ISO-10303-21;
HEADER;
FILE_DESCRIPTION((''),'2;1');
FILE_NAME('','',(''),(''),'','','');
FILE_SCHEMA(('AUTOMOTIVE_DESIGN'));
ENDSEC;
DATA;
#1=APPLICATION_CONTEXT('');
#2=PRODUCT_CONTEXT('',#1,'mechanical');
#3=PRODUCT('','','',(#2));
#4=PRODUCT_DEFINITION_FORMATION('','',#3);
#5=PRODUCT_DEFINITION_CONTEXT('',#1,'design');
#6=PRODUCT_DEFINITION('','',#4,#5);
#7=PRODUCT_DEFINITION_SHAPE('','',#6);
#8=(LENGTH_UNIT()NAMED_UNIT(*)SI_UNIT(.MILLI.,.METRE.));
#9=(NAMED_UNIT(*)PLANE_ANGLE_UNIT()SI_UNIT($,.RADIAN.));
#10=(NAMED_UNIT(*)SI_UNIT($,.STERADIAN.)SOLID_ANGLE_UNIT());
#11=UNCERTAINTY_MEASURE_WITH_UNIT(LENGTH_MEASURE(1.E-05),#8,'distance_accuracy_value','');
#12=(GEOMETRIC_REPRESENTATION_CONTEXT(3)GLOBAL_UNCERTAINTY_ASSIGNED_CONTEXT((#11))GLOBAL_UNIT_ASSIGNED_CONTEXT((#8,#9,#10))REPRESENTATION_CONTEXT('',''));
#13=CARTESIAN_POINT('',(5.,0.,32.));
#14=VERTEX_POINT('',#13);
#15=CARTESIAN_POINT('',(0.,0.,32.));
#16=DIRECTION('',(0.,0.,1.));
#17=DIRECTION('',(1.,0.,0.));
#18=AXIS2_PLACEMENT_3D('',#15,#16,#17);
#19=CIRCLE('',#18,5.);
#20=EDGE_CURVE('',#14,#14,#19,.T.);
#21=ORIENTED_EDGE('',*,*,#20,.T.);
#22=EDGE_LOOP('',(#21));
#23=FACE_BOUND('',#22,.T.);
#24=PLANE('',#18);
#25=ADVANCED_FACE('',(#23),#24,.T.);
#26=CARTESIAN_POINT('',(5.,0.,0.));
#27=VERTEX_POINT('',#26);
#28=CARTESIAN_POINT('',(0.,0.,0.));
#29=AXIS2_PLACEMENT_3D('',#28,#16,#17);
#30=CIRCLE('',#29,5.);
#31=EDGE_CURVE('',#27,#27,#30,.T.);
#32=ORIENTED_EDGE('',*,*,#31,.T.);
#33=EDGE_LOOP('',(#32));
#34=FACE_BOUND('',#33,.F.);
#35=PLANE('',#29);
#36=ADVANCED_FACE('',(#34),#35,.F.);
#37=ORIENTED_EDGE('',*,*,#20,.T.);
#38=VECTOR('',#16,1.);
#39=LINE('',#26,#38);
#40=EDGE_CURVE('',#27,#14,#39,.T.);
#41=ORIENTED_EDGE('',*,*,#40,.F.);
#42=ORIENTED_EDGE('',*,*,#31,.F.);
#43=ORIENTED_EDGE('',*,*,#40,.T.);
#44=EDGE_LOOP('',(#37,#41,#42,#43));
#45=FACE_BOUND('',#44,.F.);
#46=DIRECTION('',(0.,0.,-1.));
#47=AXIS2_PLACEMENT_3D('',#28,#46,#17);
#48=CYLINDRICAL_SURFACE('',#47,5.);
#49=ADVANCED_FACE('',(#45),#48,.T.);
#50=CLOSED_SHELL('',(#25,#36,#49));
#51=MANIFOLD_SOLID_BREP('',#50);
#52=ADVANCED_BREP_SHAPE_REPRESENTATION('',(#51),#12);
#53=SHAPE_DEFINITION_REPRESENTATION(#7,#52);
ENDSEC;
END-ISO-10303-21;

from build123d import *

# Parameters (mm, degrees)
SKETCH_1_R      = 5
EXTRUDE_1_DEPTH = 32


with BuildPart() as part:
    # 스케치1 → 보스-돌출1 (new body)
    with BuildSketch(Plane.XY):
        Circle(SKETCH_1_R)
    extrude(amount=EXTRUDE_1_DEPTH)


solid = part.part
